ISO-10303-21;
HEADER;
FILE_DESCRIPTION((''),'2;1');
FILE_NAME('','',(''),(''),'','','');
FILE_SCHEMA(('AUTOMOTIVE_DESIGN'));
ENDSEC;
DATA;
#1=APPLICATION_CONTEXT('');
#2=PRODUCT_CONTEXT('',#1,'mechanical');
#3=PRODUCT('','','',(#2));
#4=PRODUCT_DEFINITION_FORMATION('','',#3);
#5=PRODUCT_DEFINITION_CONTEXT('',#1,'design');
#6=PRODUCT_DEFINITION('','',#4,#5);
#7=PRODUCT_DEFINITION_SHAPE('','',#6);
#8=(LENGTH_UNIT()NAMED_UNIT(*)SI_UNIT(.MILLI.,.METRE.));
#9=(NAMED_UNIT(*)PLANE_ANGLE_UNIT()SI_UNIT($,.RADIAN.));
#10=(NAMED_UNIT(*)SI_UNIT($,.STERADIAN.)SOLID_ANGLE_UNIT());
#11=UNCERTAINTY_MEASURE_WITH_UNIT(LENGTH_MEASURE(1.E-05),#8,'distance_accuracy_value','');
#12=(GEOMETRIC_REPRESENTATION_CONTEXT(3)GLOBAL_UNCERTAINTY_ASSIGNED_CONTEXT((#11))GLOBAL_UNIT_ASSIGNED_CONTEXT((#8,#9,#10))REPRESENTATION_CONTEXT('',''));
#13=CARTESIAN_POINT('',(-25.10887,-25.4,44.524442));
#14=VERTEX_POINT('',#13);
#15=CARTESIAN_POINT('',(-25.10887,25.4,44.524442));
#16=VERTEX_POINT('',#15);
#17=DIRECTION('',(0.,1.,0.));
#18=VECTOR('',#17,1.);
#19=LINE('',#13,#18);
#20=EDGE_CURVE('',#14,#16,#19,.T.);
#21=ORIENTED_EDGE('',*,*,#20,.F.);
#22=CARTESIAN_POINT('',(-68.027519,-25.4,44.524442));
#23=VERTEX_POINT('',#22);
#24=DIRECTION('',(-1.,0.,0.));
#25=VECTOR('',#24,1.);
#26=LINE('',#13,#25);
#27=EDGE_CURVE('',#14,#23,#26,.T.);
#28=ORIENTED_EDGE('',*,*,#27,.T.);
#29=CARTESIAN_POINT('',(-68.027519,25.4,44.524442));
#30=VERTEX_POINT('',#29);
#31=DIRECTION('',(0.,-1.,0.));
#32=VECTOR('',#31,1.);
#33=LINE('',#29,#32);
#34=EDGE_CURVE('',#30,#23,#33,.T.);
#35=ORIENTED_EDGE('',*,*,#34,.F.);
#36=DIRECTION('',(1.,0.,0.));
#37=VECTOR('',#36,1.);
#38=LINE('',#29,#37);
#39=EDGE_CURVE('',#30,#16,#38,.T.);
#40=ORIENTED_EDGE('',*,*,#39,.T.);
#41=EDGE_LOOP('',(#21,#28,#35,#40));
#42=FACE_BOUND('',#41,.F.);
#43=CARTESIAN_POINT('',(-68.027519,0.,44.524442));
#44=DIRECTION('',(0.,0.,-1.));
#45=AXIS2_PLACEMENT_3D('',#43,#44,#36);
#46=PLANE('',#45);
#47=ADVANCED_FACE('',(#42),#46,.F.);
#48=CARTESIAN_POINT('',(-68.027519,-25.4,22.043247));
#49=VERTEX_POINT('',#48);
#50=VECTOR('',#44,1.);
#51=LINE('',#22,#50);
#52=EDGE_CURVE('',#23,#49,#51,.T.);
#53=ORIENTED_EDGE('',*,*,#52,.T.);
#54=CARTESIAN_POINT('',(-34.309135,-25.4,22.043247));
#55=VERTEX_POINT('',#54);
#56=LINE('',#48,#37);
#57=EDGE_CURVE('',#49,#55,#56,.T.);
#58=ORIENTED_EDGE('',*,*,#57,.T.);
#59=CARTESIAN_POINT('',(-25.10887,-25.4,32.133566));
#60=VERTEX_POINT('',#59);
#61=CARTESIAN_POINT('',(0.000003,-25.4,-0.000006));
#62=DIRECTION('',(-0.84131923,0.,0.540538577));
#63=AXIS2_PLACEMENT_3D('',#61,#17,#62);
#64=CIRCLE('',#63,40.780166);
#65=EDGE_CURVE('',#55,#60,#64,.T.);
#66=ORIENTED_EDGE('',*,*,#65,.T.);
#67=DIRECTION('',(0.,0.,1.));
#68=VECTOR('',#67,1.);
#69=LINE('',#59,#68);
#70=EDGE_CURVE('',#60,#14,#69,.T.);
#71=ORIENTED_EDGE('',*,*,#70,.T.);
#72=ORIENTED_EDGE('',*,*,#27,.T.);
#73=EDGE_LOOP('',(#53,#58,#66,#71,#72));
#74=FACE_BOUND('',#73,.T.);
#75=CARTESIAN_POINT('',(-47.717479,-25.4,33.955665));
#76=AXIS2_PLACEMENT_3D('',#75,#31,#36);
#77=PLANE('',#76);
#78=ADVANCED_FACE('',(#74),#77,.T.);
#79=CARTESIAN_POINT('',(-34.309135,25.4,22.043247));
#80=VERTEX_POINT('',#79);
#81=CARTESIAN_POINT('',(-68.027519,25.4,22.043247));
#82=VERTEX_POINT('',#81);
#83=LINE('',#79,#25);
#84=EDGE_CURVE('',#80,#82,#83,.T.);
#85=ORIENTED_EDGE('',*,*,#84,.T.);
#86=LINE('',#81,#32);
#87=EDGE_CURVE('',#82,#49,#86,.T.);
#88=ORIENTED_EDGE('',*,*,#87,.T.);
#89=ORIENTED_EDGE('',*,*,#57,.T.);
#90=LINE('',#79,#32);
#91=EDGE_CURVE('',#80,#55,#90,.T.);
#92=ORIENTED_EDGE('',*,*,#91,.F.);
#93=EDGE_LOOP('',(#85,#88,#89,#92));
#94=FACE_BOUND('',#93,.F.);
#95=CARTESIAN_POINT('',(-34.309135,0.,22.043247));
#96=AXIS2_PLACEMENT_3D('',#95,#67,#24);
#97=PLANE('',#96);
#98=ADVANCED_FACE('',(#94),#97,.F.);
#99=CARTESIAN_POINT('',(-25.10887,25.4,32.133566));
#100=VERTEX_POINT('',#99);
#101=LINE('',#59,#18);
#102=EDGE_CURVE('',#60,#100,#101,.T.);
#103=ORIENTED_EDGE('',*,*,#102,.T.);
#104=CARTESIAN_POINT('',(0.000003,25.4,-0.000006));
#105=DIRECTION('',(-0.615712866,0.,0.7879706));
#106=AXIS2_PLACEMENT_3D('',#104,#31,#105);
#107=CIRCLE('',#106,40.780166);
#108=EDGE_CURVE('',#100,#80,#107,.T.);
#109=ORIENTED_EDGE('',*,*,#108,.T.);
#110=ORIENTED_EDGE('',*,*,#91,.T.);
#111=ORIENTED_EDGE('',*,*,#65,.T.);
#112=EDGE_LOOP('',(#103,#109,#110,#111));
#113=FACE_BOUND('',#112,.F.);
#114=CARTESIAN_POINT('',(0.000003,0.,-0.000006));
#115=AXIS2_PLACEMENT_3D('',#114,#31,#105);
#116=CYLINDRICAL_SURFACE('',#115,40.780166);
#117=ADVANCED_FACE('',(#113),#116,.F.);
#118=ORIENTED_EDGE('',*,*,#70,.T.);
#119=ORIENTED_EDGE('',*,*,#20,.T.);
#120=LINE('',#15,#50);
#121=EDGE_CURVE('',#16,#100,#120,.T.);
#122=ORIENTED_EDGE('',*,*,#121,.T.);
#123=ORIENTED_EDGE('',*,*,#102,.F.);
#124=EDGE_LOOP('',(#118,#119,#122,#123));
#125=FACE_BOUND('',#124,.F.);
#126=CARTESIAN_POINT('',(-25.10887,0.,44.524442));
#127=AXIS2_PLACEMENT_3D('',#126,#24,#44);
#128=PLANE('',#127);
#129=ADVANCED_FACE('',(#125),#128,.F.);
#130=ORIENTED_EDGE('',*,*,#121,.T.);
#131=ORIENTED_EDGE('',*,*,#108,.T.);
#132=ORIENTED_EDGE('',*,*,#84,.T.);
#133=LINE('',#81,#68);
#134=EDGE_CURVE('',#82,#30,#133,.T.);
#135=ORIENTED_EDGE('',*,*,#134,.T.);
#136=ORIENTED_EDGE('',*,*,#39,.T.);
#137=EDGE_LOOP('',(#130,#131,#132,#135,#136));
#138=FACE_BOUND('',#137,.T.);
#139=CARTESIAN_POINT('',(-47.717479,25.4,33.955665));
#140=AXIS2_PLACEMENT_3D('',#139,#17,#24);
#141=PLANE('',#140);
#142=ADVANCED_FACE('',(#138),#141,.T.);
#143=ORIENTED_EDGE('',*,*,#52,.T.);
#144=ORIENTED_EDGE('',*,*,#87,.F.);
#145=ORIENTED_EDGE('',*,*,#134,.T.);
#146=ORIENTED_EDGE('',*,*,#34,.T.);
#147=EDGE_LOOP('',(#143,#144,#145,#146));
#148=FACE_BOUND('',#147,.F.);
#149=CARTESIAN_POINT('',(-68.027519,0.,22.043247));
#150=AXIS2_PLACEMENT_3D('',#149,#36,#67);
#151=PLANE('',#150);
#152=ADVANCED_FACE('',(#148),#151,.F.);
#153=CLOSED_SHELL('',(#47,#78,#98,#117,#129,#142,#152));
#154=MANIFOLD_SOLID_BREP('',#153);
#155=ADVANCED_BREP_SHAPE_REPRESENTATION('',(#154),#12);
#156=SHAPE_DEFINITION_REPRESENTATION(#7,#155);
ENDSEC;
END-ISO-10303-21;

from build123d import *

# Parameters (mm, degrees)
F1_DEPTH = 25.4
F3_DEPTH = 25.4


with BuildPart() as f1:
    # F0 (on Front) → F1 (new body)
    with BuildSketch(Plane.XZ):
        with BuildLine():
            Line((-25.10887, 44.524442), (-68.027519, 44.524442))
            Line((-68.027519, 44.524442), (-68.027519, 22.043247))
            Line((-68.027519, 22.043247), (-34.309135, 22.043247))
            ThreePointArc((-34.309135, 22.043247), (-30.13434, 27.476226), (-25.10887, 32.133566))
            Line((-25.10887, 32.133566), (-25.10887, 44.524442))
        make_face()
    extrude(amount=F1_DEPTH)

    # F2 (on face) → F3 (join)
    with BuildSketch(Plane(origin=(0, 0, 0), x_dir=(-1, 0, 0), z_dir=(0, 1, 0))):
        with BuildLine():
            Line((68.027519, 44.524442), (25.10887, 44.524442))
            Line((25.10887, 44.524442), (25.10887, 32.133566))
            ThreePointArc((25.10887, 32.133566), (30.13434, 27.476226), (34.309135, 22.043247))
            Line((34.309135, 22.043247), (68.027519, 22.043247))
            Line((68.027519, 22.043247), (68.027519, 44.524442))
        make_face()
    extrude(amount=F3_DEPTH)


solid = f1.part
